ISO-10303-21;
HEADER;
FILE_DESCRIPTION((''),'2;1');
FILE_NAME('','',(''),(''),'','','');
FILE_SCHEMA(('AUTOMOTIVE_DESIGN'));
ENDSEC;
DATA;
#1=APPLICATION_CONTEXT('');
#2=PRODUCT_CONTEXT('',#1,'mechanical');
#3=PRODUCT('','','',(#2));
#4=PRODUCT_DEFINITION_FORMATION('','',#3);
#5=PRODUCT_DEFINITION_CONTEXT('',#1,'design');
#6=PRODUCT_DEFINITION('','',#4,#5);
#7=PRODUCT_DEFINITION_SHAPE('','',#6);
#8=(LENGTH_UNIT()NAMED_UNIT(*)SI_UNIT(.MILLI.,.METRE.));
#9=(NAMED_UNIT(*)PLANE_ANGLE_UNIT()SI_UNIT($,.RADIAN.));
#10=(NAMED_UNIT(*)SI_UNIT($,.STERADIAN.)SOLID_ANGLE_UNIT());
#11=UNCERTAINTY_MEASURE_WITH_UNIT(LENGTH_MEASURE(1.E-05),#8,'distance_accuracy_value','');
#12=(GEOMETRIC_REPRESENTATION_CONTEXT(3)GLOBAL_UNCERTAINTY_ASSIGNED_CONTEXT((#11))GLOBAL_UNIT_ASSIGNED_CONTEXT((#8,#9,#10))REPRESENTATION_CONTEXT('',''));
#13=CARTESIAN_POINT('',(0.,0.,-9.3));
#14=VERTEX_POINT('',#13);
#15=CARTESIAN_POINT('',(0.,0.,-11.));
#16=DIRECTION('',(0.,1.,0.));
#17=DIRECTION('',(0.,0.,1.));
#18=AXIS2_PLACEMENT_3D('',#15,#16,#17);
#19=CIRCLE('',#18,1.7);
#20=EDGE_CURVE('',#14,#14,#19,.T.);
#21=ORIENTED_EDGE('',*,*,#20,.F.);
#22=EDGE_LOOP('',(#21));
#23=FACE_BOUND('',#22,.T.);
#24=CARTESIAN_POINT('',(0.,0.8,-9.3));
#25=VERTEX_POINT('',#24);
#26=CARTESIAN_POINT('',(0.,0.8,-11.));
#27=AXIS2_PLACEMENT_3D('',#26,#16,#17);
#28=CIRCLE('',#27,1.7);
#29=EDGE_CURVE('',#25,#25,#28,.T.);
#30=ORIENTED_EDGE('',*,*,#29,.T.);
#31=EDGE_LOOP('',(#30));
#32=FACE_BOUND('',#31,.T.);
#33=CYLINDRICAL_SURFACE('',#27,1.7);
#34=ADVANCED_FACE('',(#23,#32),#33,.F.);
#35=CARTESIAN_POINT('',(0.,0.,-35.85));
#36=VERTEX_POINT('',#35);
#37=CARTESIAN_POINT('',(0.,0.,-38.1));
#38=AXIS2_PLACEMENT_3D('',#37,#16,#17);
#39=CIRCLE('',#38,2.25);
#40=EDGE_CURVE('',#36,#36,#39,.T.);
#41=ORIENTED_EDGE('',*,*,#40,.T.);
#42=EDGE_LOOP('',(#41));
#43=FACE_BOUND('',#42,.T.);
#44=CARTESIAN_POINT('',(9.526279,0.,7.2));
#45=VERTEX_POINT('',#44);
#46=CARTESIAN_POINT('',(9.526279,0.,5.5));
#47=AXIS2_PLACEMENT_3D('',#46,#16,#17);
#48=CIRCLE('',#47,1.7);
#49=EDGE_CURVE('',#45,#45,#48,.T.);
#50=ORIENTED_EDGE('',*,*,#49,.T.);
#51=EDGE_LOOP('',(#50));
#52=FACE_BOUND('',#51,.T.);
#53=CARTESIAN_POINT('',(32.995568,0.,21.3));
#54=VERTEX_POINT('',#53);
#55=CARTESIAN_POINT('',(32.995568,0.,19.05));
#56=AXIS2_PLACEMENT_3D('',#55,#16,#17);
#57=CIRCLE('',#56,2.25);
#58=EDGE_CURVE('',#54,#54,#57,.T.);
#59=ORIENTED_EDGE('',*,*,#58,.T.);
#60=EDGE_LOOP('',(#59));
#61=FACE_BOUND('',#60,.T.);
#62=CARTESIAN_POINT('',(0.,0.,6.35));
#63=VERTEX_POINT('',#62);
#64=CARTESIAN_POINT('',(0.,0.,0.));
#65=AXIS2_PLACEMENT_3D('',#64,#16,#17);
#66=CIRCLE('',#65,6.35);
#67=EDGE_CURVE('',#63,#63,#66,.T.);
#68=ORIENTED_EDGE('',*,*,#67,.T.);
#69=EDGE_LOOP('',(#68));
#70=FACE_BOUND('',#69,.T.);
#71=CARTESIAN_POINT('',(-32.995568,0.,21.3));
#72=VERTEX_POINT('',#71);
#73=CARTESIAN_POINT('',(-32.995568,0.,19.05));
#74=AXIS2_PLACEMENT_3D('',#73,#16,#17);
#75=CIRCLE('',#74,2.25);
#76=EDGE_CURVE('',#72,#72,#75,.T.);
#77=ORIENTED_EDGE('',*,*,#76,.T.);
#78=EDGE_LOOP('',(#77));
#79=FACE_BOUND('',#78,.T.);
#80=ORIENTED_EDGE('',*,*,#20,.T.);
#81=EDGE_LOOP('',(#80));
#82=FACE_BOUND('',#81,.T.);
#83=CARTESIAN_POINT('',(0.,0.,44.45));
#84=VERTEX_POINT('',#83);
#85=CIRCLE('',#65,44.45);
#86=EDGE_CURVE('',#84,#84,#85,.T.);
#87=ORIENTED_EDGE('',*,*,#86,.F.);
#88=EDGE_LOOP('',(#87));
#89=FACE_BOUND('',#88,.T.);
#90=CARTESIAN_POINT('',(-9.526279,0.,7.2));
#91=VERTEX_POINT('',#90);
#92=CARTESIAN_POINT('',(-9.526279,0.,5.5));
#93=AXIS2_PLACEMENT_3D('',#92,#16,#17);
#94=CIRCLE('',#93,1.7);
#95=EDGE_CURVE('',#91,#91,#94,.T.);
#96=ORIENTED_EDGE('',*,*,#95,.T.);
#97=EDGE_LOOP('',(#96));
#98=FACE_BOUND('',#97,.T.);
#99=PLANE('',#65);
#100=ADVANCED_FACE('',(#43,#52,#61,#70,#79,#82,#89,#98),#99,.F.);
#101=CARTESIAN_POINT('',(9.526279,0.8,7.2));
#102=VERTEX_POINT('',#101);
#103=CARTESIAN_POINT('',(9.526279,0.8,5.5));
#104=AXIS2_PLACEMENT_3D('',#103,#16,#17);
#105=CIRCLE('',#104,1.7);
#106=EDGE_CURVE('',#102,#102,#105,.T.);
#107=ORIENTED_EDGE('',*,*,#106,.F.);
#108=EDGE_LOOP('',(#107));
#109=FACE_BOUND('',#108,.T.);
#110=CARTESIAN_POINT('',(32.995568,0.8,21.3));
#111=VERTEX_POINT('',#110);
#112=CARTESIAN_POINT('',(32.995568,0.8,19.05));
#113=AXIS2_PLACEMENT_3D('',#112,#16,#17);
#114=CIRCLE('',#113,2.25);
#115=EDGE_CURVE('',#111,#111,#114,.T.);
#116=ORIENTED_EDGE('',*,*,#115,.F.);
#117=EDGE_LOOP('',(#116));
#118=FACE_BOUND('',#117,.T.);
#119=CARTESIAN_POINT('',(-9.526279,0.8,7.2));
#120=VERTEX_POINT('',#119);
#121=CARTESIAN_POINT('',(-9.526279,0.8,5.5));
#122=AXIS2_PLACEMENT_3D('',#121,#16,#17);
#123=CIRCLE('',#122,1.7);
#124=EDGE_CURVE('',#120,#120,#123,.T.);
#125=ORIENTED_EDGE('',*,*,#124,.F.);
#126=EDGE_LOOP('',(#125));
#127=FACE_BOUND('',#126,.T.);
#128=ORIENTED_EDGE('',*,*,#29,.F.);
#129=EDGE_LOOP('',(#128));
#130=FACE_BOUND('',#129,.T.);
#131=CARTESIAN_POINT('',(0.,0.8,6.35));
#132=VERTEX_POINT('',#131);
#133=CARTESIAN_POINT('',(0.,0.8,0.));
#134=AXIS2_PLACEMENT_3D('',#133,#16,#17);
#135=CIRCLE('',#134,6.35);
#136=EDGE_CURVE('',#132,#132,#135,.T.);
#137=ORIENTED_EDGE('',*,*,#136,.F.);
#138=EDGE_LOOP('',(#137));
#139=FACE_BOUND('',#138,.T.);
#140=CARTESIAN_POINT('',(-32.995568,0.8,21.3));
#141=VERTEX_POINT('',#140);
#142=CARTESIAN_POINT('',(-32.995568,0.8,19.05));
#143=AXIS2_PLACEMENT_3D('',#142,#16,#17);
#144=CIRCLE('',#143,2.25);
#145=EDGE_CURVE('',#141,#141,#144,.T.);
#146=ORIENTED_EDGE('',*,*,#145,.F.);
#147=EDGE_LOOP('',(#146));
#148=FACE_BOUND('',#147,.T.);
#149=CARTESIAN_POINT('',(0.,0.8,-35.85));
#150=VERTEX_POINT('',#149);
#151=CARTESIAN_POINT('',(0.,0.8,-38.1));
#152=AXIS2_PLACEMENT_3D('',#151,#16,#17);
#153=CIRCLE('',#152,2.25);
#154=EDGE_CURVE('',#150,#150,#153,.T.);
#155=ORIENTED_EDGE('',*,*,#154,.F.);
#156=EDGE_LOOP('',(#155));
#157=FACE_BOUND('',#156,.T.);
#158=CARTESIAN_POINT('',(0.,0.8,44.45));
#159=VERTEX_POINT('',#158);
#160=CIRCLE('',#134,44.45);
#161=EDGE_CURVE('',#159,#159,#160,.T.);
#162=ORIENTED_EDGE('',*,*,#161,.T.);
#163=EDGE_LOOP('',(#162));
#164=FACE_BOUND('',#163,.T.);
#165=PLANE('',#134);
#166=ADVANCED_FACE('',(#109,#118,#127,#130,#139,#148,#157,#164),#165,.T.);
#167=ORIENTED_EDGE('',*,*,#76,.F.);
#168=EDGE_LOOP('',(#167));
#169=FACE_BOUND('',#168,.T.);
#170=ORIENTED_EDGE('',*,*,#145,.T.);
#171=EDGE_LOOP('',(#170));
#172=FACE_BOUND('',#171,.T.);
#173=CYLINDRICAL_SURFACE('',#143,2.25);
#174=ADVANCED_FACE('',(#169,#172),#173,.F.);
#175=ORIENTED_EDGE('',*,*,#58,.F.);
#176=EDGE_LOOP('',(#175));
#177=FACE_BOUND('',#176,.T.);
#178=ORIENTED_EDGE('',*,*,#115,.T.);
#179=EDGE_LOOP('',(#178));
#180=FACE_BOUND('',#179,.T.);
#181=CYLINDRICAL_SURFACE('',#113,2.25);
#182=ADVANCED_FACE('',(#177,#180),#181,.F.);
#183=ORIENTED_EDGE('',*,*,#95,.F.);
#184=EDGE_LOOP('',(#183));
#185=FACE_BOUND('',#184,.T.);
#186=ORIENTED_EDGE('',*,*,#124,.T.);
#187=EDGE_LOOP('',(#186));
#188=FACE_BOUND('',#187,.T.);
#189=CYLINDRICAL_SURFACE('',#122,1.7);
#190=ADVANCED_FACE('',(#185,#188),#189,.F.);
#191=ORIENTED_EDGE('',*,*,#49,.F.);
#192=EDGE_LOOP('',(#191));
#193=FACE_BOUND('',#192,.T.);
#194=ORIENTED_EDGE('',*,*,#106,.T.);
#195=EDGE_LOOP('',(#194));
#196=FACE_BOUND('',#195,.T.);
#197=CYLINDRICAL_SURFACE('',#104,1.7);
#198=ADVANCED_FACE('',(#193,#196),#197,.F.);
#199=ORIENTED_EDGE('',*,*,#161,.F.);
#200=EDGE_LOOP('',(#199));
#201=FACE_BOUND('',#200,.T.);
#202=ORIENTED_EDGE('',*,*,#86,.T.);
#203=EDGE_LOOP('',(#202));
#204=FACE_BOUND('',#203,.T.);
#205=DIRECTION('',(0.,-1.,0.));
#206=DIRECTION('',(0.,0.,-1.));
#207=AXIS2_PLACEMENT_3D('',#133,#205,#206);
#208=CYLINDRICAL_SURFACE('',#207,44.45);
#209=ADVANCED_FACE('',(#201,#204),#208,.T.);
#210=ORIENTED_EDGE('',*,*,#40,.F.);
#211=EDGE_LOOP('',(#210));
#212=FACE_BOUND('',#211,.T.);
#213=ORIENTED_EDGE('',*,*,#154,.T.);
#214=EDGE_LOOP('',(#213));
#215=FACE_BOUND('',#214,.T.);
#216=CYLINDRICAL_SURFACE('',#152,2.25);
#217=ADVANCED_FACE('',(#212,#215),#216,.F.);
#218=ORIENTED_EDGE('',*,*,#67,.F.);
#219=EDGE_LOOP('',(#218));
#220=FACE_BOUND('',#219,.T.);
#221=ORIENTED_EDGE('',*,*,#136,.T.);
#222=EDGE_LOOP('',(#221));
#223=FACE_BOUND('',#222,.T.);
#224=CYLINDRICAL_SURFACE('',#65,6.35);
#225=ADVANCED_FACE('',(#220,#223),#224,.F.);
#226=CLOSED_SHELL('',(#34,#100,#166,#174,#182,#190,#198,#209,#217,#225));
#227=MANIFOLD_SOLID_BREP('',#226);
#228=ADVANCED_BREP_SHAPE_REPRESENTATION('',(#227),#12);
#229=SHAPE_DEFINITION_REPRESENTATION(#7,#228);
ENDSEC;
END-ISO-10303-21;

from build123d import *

# Parameters (mm, degrees)
SKETCH1_R            = 44.45
BOSS_EXTRUDE1_DEPTH  = 0.8
M4_CLEARANCE_HOLE1_D = 4.5
SKETCH11_R           = 6.35
CUT_EXTRUDE1_DEPTH   = 63.866883174
M3_CLEARANCE_HOLE1_D = 3.4


with BuildPart() as part:
    # Sketch1 → Boss-Extrude1 (new body)
    with BuildSketch(Plane(origin=(0, 0, 0), x_dir=(1, 0, 0), z_dir=(0, 1, 0))):
        with Locations(Location((0, 0, 0), (0, 0, 270))):
            Circle(SKETCH1_R)
    extrude(amount=BOSS_EXTRUDE1_DEPTH)

    # M4 Clearance Hole1 (through all)
    with Locations(Plane(origin=(0, 0.8, 0), x_dir=(1, 0, 0), z_dir=(0, 1, 0))):
        with Locations((0, 38.1), (-32.995567884, -19.05), (32.995567884, -19.05)):
            Hole(M4_CLEARANCE_HOLE1_D / 2)

    # Sketch11 → Cut-Extrude1 (cut, through all)
    with BuildSketch(Plane(origin=(0, 0.8, 0), x_dir=(1, 0, 0), z_dir=(0, 1, 0))):
        with Locations(Location((0, 0, 0), (0, 0, 270))):
            Circle(SKETCH11_R)
    extrude(amount=-CUT_EXTRUDE1_DEPTH, mode=Mode.SUBTRACT)

    # M3 Clearance Hole1 (through all)
    with Locations(Plane(origin=(0, 0.8, 0), x_dir=(1, 0, 0), z_dir=(0, 1, 0))):
        with Locations((0, 11), (-9.526279442, -5.5), (9.526279442, -5.5)):
            Hole(M3_CLEARANCE_HOLE1_D / 2)


solid = part.part
